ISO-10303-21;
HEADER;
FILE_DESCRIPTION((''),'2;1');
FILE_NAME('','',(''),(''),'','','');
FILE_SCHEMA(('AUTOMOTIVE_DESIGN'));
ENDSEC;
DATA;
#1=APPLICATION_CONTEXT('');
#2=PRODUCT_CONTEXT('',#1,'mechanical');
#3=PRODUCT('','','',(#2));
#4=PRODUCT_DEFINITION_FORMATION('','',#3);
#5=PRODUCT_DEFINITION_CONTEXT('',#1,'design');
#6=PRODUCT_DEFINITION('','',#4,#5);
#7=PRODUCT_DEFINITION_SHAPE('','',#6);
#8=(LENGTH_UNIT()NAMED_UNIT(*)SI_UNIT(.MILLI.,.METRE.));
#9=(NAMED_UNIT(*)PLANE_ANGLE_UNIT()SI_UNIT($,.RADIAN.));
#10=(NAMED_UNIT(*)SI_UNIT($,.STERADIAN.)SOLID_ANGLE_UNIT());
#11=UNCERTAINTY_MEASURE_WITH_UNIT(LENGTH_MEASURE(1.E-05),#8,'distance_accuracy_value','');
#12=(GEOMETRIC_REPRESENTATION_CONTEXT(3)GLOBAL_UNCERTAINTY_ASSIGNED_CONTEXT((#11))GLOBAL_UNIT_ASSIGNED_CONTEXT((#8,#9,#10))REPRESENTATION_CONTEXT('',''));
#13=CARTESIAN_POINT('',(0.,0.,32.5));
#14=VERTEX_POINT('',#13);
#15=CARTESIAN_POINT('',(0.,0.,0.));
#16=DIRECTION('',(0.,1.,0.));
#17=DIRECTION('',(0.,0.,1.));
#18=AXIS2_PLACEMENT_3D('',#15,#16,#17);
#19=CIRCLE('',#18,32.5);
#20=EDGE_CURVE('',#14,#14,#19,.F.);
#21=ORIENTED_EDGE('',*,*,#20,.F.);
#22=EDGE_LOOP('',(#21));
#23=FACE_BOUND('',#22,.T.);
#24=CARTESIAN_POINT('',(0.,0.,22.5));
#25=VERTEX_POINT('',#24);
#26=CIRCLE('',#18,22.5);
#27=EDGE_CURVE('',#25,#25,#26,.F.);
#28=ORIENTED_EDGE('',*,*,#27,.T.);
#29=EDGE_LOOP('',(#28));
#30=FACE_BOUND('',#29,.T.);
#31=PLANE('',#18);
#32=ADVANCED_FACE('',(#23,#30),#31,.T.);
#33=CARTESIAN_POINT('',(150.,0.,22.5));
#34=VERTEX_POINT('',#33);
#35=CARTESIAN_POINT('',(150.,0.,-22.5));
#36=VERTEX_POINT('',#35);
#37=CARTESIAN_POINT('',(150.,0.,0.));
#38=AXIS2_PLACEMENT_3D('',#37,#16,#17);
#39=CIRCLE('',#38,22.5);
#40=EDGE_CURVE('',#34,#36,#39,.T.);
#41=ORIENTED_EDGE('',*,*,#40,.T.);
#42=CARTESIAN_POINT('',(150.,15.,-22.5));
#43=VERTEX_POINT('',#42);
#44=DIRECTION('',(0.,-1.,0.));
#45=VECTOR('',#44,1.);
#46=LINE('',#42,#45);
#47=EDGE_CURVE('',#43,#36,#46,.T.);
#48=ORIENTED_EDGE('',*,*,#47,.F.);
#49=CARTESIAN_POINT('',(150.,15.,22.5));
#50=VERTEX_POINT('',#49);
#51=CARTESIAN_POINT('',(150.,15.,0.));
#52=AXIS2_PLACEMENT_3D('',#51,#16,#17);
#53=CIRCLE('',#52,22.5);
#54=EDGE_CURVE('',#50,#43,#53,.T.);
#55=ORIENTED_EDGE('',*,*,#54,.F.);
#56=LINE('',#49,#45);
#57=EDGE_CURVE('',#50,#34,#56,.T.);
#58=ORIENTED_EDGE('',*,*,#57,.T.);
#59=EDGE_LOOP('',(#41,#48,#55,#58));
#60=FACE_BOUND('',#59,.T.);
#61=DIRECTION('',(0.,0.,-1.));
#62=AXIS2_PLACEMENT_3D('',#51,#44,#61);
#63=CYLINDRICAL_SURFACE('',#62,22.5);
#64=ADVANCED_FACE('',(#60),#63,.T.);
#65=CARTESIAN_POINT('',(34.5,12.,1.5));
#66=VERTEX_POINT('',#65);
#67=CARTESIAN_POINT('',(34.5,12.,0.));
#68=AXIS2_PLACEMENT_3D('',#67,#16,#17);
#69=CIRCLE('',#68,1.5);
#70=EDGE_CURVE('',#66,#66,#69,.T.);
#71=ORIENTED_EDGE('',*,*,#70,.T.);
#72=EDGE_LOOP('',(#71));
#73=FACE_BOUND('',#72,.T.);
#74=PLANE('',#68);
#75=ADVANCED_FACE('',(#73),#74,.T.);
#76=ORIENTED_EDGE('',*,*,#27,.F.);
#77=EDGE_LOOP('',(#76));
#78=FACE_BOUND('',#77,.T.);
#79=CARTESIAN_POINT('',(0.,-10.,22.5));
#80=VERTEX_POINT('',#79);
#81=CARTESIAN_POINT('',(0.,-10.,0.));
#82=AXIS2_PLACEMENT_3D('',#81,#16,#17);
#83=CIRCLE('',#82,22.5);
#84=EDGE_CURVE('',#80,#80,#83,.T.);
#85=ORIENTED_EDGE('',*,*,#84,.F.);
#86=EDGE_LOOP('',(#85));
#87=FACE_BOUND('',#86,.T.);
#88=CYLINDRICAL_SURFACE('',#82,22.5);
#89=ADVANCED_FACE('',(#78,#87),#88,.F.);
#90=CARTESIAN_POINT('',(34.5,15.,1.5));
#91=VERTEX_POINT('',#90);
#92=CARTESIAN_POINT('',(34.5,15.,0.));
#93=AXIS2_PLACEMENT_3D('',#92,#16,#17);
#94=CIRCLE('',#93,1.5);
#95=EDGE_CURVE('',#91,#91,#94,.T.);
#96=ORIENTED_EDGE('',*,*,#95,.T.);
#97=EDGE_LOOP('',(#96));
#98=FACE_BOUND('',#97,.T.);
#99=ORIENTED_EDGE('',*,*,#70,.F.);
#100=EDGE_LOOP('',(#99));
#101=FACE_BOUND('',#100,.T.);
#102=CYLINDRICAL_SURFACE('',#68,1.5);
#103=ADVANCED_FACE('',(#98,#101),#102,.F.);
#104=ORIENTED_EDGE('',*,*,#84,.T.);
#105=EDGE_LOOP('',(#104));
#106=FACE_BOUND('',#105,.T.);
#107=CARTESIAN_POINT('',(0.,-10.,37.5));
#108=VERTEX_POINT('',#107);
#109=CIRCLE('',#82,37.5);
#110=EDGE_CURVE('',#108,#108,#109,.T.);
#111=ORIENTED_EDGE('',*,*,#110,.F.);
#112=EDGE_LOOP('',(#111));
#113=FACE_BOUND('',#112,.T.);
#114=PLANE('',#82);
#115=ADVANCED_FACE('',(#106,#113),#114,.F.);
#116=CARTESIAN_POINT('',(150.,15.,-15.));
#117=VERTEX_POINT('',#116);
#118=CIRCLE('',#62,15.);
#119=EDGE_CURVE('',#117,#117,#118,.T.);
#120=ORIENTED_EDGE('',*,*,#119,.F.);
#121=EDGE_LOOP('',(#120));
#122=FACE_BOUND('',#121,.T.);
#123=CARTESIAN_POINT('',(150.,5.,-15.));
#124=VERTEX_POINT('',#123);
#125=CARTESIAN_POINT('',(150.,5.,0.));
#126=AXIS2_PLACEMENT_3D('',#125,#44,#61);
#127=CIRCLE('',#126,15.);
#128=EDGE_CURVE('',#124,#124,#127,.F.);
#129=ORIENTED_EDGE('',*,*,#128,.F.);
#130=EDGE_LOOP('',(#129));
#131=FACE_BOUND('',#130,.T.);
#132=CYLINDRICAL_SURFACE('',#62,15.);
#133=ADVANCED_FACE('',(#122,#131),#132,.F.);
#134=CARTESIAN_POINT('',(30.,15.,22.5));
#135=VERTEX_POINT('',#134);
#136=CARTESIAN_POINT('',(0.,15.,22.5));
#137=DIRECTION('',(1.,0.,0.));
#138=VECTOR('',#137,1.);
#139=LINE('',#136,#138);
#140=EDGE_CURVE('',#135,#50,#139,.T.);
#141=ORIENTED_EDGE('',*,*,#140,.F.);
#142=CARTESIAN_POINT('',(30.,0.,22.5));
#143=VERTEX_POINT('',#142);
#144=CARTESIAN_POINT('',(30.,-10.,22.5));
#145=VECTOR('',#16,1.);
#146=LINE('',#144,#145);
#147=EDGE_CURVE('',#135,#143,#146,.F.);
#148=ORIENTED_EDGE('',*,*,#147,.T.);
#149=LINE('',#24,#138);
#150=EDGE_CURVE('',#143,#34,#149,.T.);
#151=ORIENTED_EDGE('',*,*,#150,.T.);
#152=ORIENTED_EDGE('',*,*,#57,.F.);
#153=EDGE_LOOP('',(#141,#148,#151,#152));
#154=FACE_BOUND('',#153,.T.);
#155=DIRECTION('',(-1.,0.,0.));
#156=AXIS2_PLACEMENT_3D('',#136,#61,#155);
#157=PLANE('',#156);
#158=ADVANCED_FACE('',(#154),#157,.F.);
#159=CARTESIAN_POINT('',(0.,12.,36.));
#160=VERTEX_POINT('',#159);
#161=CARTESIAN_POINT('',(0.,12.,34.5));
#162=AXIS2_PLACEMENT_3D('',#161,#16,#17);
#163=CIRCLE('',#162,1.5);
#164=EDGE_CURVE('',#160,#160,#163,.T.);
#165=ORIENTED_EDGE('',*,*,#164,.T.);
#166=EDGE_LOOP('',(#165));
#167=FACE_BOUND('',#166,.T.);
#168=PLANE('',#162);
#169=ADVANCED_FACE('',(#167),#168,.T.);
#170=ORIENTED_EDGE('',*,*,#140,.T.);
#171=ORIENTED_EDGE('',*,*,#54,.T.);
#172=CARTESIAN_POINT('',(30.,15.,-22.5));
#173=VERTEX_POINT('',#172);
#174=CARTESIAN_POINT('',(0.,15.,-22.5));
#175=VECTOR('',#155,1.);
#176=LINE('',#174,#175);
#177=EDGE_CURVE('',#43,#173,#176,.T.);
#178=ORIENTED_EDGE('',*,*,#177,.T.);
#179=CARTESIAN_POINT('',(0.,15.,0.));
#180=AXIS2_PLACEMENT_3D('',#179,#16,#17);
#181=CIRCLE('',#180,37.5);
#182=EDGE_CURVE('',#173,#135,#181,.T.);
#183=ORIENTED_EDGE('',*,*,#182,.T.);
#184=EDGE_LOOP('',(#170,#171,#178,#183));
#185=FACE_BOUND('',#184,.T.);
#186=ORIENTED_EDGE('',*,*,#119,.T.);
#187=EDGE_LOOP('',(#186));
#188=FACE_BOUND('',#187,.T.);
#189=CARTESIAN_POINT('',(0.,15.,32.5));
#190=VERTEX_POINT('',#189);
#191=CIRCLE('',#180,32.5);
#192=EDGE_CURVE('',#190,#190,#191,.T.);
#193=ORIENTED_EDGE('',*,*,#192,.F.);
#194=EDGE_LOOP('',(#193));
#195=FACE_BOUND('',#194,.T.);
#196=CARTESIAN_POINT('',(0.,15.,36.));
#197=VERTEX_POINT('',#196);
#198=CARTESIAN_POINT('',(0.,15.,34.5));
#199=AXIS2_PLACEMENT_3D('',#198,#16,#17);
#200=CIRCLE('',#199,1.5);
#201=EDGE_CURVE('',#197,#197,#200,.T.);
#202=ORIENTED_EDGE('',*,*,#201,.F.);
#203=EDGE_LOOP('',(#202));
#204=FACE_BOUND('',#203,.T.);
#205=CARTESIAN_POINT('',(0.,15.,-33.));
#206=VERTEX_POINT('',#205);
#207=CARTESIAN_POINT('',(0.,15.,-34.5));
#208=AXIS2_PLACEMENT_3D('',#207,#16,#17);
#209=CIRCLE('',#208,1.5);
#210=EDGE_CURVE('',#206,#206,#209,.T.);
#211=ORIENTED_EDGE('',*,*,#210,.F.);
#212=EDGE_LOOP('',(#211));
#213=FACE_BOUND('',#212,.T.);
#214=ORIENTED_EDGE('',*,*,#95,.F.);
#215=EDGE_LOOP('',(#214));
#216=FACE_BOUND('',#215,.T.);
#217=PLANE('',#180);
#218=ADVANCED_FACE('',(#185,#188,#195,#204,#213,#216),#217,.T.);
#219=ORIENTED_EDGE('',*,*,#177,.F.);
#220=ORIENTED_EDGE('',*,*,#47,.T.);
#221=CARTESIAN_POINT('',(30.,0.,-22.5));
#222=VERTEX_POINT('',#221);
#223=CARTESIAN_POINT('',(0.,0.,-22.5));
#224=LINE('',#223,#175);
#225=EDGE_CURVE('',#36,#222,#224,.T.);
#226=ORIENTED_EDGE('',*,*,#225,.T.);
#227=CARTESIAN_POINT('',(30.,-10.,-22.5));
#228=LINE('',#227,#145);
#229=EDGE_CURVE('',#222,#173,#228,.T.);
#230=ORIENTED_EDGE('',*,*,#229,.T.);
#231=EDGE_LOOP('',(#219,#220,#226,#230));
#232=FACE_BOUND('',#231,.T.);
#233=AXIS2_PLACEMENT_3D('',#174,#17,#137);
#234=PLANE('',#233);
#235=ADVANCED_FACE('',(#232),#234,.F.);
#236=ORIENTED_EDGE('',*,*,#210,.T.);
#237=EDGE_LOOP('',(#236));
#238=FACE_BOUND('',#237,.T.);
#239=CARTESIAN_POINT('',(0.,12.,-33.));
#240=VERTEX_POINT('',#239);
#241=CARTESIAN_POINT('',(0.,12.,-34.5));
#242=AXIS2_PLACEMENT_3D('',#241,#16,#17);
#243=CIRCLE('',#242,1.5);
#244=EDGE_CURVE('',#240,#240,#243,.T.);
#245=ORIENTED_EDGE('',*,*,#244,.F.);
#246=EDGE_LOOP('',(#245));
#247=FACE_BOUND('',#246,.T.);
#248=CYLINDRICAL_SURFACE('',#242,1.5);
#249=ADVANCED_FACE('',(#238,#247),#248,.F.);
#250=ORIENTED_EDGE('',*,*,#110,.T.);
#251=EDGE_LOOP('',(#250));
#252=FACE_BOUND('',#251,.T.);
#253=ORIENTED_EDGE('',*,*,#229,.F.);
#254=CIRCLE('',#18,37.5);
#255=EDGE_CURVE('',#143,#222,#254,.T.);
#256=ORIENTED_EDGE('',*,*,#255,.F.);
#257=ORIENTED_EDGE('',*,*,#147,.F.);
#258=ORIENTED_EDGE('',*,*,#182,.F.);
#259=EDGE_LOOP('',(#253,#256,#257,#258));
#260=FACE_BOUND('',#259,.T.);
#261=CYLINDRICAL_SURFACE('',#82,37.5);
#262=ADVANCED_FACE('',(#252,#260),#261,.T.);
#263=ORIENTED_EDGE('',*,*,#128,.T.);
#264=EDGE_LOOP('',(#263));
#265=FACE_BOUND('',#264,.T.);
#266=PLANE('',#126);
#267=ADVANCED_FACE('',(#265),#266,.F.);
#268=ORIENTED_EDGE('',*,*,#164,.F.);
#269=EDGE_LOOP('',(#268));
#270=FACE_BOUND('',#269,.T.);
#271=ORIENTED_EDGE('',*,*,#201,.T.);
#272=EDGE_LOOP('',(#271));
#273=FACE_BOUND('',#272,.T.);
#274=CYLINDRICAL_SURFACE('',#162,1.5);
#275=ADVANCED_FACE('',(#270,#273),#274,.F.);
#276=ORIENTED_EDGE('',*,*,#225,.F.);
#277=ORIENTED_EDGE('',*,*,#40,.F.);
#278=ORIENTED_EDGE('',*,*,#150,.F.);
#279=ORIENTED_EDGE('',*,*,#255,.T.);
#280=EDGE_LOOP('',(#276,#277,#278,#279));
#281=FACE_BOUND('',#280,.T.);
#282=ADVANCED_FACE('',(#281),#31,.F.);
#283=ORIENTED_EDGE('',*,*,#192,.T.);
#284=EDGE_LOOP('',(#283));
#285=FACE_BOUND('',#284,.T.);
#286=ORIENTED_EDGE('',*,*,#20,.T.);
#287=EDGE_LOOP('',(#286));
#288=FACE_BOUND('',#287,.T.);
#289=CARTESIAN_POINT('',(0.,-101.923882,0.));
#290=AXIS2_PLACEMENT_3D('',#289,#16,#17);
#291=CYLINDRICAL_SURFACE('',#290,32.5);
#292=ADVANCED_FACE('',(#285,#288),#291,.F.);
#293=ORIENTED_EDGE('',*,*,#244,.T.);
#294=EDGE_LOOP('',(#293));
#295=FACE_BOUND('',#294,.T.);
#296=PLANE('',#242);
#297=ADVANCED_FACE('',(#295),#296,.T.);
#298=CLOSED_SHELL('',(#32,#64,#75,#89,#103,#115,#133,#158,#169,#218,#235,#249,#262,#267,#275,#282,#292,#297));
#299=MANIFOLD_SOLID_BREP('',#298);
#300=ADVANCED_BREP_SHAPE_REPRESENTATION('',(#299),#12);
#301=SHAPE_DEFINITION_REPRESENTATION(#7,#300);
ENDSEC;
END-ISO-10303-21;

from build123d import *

# Parameters (mm, degrees)
BOSS_EXTRUDE1_DEPTH = 15
SKETCH4_R           = 37.5
BOSS_EXTRUDE2_DEPTH = 25
SKETCH5_R           = 22.5
CUT_EXTRUDE1_DEPTH  = 179.290493297
SKETCH6_R           = 32.5
CUT_EXTRUDE2_DEPTH  = 15
SKETCH7_R           = 15
CUT_EXTRUDE3_DEPTH  = 178.165177165
SKETCH9_R           = 15
BOSS_EXTRUDE3_DEPTH = 5
SKETCH10_R          = 1.5
CUT_EXTRUDE7_DEPTH  = 3


with BuildPart() as part:
    # Sketch2 → Boss-Extrude1 (new body)
    with BuildSketch(Plane(origin=(0, 0, 0), x_dir=(1, 0, 0), z_dir=(0, 1, 0))):
        with BuildLine():
            Line((0, 22.5), (150, 22.5))
            ThreePointArc((150, 22.5), (172.5, 0), (150, -22.5))
            Line((150, -22.5), (0, -22.5))
            ThreePointArc((0, -22.5), (-22.5, 0), (0, 22.5))
        make_face()
    extrude(amount=BOSS_EXTRUDE1_DEPTH)

    # Sketch4 → Boss-Extrude2 (add)
    with BuildSketch(Plane(origin=(0, 15, 0), x_dir=(1, 0, 0), z_dir=(0, 1, 0))):
        with Locations(Location((0, 0, 0), (0, 0, 270))):
            Circle(SKETCH4_R)
    extrude(amount=-BOSS_EXTRUDE2_DEPTH)

    # Sketch5 → Cut-Extrude1 (cut, through all)
    with BuildSketch(Plane(origin=(0, 15, 0), x_dir=(1, 0, 0), z_dir=(0, 1, 0))):
        with Locations(Location((0, 0, 0), (0, 0, 270))):
            Circle(SKETCH5_R)
    extrude(amount=-CUT_EXTRUDE1_DEPTH, mode=Mode.SUBTRACT)

    # Sketch6 → Cut-Extrude2 (cut)
    with BuildSketch(Plane(origin=(0, 15, 0), x_dir=(1, 0, 0), z_dir=(0, 1, 0))):
        with Locations(Location((0, 0, 0), (0, 0, 270))):
            Circle(SKETCH6_R)
    extrude(amount=-CUT_EXTRUDE2_DEPTH, mode=Mode.SUBTRACT)

    # Sketch7 → Cut-Extrude3 (cut, through all)
    with BuildSketch(Plane.XZ):
        with Locations(Location((150, 0, 0), (0, 0, 270))):
            Circle(SKETCH7_R)
    extrude(amount=-CUT_EXTRUDE3_DEPTH, mode=Mode.SUBTRACT)

    # Sketch9 → Boss-Extrude3 (add)
    with BuildSketch(Plane.XZ):
        with Locations(Location((150, 0, 0), (0, 0, 270))):
            Circle(SKETCH9_R)
    extrude(amount=-BOSS_EXTRUDE3_DEPTH)

    # Sketch10 → Cut-Extrude7 (cut)
    with BuildSketch(Plane(origin=(0, 15, 0), x_dir=(1, 0, 0), z_dir=(0, 1, 0))):
        with Locations(Location((0, -34.5, 0), (0, 0, 270))):
            Circle(SKETCH10_R)
        with Locations(Location((34.5, 0, 0), (0, 0, 270))):
            Circle(SKETCH10_R)
        with Locations(Location((0, 34.5, 0), (0, 0, 270))):
            Circle(SKETCH10_R)
    extrude(amount=-CUT_EXTRUDE7_DEPTH, mode=Mode.SUBTRACT)


solid = part.part
